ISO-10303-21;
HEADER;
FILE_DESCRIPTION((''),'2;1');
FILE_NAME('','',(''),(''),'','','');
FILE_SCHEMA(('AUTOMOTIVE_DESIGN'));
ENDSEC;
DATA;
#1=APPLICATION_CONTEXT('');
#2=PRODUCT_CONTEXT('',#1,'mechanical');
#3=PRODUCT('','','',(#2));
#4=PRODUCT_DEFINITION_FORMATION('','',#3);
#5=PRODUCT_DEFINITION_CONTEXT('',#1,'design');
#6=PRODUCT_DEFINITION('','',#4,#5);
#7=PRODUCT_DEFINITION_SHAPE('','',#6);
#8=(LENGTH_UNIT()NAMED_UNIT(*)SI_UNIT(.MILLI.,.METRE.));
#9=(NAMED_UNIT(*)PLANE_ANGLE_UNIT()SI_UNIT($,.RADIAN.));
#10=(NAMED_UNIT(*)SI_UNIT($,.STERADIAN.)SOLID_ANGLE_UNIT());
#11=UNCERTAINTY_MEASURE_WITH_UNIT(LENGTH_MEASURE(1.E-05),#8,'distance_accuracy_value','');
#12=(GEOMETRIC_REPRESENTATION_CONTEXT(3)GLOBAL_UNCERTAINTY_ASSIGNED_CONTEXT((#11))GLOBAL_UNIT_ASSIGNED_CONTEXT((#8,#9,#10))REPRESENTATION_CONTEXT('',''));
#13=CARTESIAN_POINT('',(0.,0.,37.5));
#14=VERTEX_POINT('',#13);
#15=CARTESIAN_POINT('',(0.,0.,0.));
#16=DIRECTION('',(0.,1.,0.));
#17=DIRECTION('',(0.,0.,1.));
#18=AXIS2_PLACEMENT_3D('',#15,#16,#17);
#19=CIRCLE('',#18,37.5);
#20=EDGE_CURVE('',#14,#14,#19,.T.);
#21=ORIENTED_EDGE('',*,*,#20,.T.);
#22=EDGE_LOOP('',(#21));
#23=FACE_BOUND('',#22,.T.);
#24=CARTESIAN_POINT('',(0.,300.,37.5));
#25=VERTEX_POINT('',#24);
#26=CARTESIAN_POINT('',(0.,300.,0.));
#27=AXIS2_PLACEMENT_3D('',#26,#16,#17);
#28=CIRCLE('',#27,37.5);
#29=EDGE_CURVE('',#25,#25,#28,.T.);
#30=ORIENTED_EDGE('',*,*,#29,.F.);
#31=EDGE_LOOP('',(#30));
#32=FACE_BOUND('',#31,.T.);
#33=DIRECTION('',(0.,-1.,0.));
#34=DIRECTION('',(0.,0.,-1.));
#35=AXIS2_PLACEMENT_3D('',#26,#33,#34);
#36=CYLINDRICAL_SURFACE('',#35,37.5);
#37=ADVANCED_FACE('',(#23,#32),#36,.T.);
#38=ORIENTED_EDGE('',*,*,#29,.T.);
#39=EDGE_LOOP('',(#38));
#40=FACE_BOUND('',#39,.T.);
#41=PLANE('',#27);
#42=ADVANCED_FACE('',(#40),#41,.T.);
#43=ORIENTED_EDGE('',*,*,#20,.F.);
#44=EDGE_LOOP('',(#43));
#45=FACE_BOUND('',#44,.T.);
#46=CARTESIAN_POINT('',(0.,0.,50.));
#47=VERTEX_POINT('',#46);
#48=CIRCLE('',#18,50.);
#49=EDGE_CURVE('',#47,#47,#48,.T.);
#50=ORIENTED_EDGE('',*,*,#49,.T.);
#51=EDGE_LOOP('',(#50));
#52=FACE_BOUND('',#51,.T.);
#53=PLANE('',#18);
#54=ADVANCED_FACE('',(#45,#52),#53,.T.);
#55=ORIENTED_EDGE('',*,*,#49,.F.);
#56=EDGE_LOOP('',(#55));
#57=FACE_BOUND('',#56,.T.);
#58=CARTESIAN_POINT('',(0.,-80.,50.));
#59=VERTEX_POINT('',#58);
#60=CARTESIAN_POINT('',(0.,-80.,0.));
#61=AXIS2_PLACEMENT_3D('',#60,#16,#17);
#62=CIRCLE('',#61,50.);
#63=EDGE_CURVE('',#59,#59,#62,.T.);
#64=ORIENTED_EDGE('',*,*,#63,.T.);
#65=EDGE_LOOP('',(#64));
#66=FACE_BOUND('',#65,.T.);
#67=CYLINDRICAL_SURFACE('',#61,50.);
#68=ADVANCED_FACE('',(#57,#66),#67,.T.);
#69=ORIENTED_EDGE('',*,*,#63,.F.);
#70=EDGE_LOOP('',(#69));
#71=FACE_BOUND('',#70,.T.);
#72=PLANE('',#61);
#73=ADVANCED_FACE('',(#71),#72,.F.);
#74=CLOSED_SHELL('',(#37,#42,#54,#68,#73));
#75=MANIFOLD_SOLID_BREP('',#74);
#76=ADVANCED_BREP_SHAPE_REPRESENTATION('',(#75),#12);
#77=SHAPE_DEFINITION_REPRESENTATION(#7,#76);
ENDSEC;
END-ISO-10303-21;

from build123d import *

# Parameters (mm, degrees)
SKETCH1_R           = 37.5
BOSS_EXTRUDE1_DEPTH = 300
SKETCH2_R           = 50
BOSS_EXTRUDE2_DEPTH = 80


with BuildPart() as part:
    # Sketch1 → Boss-Extrude1 (new body)
    with BuildSketch(Plane(origin=(0, 0, 0), x_dir=(1, 0, 0), z_dir=(0, 1, 0))):
        Circle(SKETCH1_R)
    extrude(amount=BOSS_EXTRUDE1_DEPTH)

    # Sketch2 → Boss-Extrude2 (add)
    with BuildSketch(Plane(origin=(0, 0, 0), x_dir=(1, 0, 0), z_dir=(0, 1, 0))):
        Circle(SKETCH2_R)
    extrude(amount=-BOSS_EXTRUDE2_DEPTH)


solid = part.part
